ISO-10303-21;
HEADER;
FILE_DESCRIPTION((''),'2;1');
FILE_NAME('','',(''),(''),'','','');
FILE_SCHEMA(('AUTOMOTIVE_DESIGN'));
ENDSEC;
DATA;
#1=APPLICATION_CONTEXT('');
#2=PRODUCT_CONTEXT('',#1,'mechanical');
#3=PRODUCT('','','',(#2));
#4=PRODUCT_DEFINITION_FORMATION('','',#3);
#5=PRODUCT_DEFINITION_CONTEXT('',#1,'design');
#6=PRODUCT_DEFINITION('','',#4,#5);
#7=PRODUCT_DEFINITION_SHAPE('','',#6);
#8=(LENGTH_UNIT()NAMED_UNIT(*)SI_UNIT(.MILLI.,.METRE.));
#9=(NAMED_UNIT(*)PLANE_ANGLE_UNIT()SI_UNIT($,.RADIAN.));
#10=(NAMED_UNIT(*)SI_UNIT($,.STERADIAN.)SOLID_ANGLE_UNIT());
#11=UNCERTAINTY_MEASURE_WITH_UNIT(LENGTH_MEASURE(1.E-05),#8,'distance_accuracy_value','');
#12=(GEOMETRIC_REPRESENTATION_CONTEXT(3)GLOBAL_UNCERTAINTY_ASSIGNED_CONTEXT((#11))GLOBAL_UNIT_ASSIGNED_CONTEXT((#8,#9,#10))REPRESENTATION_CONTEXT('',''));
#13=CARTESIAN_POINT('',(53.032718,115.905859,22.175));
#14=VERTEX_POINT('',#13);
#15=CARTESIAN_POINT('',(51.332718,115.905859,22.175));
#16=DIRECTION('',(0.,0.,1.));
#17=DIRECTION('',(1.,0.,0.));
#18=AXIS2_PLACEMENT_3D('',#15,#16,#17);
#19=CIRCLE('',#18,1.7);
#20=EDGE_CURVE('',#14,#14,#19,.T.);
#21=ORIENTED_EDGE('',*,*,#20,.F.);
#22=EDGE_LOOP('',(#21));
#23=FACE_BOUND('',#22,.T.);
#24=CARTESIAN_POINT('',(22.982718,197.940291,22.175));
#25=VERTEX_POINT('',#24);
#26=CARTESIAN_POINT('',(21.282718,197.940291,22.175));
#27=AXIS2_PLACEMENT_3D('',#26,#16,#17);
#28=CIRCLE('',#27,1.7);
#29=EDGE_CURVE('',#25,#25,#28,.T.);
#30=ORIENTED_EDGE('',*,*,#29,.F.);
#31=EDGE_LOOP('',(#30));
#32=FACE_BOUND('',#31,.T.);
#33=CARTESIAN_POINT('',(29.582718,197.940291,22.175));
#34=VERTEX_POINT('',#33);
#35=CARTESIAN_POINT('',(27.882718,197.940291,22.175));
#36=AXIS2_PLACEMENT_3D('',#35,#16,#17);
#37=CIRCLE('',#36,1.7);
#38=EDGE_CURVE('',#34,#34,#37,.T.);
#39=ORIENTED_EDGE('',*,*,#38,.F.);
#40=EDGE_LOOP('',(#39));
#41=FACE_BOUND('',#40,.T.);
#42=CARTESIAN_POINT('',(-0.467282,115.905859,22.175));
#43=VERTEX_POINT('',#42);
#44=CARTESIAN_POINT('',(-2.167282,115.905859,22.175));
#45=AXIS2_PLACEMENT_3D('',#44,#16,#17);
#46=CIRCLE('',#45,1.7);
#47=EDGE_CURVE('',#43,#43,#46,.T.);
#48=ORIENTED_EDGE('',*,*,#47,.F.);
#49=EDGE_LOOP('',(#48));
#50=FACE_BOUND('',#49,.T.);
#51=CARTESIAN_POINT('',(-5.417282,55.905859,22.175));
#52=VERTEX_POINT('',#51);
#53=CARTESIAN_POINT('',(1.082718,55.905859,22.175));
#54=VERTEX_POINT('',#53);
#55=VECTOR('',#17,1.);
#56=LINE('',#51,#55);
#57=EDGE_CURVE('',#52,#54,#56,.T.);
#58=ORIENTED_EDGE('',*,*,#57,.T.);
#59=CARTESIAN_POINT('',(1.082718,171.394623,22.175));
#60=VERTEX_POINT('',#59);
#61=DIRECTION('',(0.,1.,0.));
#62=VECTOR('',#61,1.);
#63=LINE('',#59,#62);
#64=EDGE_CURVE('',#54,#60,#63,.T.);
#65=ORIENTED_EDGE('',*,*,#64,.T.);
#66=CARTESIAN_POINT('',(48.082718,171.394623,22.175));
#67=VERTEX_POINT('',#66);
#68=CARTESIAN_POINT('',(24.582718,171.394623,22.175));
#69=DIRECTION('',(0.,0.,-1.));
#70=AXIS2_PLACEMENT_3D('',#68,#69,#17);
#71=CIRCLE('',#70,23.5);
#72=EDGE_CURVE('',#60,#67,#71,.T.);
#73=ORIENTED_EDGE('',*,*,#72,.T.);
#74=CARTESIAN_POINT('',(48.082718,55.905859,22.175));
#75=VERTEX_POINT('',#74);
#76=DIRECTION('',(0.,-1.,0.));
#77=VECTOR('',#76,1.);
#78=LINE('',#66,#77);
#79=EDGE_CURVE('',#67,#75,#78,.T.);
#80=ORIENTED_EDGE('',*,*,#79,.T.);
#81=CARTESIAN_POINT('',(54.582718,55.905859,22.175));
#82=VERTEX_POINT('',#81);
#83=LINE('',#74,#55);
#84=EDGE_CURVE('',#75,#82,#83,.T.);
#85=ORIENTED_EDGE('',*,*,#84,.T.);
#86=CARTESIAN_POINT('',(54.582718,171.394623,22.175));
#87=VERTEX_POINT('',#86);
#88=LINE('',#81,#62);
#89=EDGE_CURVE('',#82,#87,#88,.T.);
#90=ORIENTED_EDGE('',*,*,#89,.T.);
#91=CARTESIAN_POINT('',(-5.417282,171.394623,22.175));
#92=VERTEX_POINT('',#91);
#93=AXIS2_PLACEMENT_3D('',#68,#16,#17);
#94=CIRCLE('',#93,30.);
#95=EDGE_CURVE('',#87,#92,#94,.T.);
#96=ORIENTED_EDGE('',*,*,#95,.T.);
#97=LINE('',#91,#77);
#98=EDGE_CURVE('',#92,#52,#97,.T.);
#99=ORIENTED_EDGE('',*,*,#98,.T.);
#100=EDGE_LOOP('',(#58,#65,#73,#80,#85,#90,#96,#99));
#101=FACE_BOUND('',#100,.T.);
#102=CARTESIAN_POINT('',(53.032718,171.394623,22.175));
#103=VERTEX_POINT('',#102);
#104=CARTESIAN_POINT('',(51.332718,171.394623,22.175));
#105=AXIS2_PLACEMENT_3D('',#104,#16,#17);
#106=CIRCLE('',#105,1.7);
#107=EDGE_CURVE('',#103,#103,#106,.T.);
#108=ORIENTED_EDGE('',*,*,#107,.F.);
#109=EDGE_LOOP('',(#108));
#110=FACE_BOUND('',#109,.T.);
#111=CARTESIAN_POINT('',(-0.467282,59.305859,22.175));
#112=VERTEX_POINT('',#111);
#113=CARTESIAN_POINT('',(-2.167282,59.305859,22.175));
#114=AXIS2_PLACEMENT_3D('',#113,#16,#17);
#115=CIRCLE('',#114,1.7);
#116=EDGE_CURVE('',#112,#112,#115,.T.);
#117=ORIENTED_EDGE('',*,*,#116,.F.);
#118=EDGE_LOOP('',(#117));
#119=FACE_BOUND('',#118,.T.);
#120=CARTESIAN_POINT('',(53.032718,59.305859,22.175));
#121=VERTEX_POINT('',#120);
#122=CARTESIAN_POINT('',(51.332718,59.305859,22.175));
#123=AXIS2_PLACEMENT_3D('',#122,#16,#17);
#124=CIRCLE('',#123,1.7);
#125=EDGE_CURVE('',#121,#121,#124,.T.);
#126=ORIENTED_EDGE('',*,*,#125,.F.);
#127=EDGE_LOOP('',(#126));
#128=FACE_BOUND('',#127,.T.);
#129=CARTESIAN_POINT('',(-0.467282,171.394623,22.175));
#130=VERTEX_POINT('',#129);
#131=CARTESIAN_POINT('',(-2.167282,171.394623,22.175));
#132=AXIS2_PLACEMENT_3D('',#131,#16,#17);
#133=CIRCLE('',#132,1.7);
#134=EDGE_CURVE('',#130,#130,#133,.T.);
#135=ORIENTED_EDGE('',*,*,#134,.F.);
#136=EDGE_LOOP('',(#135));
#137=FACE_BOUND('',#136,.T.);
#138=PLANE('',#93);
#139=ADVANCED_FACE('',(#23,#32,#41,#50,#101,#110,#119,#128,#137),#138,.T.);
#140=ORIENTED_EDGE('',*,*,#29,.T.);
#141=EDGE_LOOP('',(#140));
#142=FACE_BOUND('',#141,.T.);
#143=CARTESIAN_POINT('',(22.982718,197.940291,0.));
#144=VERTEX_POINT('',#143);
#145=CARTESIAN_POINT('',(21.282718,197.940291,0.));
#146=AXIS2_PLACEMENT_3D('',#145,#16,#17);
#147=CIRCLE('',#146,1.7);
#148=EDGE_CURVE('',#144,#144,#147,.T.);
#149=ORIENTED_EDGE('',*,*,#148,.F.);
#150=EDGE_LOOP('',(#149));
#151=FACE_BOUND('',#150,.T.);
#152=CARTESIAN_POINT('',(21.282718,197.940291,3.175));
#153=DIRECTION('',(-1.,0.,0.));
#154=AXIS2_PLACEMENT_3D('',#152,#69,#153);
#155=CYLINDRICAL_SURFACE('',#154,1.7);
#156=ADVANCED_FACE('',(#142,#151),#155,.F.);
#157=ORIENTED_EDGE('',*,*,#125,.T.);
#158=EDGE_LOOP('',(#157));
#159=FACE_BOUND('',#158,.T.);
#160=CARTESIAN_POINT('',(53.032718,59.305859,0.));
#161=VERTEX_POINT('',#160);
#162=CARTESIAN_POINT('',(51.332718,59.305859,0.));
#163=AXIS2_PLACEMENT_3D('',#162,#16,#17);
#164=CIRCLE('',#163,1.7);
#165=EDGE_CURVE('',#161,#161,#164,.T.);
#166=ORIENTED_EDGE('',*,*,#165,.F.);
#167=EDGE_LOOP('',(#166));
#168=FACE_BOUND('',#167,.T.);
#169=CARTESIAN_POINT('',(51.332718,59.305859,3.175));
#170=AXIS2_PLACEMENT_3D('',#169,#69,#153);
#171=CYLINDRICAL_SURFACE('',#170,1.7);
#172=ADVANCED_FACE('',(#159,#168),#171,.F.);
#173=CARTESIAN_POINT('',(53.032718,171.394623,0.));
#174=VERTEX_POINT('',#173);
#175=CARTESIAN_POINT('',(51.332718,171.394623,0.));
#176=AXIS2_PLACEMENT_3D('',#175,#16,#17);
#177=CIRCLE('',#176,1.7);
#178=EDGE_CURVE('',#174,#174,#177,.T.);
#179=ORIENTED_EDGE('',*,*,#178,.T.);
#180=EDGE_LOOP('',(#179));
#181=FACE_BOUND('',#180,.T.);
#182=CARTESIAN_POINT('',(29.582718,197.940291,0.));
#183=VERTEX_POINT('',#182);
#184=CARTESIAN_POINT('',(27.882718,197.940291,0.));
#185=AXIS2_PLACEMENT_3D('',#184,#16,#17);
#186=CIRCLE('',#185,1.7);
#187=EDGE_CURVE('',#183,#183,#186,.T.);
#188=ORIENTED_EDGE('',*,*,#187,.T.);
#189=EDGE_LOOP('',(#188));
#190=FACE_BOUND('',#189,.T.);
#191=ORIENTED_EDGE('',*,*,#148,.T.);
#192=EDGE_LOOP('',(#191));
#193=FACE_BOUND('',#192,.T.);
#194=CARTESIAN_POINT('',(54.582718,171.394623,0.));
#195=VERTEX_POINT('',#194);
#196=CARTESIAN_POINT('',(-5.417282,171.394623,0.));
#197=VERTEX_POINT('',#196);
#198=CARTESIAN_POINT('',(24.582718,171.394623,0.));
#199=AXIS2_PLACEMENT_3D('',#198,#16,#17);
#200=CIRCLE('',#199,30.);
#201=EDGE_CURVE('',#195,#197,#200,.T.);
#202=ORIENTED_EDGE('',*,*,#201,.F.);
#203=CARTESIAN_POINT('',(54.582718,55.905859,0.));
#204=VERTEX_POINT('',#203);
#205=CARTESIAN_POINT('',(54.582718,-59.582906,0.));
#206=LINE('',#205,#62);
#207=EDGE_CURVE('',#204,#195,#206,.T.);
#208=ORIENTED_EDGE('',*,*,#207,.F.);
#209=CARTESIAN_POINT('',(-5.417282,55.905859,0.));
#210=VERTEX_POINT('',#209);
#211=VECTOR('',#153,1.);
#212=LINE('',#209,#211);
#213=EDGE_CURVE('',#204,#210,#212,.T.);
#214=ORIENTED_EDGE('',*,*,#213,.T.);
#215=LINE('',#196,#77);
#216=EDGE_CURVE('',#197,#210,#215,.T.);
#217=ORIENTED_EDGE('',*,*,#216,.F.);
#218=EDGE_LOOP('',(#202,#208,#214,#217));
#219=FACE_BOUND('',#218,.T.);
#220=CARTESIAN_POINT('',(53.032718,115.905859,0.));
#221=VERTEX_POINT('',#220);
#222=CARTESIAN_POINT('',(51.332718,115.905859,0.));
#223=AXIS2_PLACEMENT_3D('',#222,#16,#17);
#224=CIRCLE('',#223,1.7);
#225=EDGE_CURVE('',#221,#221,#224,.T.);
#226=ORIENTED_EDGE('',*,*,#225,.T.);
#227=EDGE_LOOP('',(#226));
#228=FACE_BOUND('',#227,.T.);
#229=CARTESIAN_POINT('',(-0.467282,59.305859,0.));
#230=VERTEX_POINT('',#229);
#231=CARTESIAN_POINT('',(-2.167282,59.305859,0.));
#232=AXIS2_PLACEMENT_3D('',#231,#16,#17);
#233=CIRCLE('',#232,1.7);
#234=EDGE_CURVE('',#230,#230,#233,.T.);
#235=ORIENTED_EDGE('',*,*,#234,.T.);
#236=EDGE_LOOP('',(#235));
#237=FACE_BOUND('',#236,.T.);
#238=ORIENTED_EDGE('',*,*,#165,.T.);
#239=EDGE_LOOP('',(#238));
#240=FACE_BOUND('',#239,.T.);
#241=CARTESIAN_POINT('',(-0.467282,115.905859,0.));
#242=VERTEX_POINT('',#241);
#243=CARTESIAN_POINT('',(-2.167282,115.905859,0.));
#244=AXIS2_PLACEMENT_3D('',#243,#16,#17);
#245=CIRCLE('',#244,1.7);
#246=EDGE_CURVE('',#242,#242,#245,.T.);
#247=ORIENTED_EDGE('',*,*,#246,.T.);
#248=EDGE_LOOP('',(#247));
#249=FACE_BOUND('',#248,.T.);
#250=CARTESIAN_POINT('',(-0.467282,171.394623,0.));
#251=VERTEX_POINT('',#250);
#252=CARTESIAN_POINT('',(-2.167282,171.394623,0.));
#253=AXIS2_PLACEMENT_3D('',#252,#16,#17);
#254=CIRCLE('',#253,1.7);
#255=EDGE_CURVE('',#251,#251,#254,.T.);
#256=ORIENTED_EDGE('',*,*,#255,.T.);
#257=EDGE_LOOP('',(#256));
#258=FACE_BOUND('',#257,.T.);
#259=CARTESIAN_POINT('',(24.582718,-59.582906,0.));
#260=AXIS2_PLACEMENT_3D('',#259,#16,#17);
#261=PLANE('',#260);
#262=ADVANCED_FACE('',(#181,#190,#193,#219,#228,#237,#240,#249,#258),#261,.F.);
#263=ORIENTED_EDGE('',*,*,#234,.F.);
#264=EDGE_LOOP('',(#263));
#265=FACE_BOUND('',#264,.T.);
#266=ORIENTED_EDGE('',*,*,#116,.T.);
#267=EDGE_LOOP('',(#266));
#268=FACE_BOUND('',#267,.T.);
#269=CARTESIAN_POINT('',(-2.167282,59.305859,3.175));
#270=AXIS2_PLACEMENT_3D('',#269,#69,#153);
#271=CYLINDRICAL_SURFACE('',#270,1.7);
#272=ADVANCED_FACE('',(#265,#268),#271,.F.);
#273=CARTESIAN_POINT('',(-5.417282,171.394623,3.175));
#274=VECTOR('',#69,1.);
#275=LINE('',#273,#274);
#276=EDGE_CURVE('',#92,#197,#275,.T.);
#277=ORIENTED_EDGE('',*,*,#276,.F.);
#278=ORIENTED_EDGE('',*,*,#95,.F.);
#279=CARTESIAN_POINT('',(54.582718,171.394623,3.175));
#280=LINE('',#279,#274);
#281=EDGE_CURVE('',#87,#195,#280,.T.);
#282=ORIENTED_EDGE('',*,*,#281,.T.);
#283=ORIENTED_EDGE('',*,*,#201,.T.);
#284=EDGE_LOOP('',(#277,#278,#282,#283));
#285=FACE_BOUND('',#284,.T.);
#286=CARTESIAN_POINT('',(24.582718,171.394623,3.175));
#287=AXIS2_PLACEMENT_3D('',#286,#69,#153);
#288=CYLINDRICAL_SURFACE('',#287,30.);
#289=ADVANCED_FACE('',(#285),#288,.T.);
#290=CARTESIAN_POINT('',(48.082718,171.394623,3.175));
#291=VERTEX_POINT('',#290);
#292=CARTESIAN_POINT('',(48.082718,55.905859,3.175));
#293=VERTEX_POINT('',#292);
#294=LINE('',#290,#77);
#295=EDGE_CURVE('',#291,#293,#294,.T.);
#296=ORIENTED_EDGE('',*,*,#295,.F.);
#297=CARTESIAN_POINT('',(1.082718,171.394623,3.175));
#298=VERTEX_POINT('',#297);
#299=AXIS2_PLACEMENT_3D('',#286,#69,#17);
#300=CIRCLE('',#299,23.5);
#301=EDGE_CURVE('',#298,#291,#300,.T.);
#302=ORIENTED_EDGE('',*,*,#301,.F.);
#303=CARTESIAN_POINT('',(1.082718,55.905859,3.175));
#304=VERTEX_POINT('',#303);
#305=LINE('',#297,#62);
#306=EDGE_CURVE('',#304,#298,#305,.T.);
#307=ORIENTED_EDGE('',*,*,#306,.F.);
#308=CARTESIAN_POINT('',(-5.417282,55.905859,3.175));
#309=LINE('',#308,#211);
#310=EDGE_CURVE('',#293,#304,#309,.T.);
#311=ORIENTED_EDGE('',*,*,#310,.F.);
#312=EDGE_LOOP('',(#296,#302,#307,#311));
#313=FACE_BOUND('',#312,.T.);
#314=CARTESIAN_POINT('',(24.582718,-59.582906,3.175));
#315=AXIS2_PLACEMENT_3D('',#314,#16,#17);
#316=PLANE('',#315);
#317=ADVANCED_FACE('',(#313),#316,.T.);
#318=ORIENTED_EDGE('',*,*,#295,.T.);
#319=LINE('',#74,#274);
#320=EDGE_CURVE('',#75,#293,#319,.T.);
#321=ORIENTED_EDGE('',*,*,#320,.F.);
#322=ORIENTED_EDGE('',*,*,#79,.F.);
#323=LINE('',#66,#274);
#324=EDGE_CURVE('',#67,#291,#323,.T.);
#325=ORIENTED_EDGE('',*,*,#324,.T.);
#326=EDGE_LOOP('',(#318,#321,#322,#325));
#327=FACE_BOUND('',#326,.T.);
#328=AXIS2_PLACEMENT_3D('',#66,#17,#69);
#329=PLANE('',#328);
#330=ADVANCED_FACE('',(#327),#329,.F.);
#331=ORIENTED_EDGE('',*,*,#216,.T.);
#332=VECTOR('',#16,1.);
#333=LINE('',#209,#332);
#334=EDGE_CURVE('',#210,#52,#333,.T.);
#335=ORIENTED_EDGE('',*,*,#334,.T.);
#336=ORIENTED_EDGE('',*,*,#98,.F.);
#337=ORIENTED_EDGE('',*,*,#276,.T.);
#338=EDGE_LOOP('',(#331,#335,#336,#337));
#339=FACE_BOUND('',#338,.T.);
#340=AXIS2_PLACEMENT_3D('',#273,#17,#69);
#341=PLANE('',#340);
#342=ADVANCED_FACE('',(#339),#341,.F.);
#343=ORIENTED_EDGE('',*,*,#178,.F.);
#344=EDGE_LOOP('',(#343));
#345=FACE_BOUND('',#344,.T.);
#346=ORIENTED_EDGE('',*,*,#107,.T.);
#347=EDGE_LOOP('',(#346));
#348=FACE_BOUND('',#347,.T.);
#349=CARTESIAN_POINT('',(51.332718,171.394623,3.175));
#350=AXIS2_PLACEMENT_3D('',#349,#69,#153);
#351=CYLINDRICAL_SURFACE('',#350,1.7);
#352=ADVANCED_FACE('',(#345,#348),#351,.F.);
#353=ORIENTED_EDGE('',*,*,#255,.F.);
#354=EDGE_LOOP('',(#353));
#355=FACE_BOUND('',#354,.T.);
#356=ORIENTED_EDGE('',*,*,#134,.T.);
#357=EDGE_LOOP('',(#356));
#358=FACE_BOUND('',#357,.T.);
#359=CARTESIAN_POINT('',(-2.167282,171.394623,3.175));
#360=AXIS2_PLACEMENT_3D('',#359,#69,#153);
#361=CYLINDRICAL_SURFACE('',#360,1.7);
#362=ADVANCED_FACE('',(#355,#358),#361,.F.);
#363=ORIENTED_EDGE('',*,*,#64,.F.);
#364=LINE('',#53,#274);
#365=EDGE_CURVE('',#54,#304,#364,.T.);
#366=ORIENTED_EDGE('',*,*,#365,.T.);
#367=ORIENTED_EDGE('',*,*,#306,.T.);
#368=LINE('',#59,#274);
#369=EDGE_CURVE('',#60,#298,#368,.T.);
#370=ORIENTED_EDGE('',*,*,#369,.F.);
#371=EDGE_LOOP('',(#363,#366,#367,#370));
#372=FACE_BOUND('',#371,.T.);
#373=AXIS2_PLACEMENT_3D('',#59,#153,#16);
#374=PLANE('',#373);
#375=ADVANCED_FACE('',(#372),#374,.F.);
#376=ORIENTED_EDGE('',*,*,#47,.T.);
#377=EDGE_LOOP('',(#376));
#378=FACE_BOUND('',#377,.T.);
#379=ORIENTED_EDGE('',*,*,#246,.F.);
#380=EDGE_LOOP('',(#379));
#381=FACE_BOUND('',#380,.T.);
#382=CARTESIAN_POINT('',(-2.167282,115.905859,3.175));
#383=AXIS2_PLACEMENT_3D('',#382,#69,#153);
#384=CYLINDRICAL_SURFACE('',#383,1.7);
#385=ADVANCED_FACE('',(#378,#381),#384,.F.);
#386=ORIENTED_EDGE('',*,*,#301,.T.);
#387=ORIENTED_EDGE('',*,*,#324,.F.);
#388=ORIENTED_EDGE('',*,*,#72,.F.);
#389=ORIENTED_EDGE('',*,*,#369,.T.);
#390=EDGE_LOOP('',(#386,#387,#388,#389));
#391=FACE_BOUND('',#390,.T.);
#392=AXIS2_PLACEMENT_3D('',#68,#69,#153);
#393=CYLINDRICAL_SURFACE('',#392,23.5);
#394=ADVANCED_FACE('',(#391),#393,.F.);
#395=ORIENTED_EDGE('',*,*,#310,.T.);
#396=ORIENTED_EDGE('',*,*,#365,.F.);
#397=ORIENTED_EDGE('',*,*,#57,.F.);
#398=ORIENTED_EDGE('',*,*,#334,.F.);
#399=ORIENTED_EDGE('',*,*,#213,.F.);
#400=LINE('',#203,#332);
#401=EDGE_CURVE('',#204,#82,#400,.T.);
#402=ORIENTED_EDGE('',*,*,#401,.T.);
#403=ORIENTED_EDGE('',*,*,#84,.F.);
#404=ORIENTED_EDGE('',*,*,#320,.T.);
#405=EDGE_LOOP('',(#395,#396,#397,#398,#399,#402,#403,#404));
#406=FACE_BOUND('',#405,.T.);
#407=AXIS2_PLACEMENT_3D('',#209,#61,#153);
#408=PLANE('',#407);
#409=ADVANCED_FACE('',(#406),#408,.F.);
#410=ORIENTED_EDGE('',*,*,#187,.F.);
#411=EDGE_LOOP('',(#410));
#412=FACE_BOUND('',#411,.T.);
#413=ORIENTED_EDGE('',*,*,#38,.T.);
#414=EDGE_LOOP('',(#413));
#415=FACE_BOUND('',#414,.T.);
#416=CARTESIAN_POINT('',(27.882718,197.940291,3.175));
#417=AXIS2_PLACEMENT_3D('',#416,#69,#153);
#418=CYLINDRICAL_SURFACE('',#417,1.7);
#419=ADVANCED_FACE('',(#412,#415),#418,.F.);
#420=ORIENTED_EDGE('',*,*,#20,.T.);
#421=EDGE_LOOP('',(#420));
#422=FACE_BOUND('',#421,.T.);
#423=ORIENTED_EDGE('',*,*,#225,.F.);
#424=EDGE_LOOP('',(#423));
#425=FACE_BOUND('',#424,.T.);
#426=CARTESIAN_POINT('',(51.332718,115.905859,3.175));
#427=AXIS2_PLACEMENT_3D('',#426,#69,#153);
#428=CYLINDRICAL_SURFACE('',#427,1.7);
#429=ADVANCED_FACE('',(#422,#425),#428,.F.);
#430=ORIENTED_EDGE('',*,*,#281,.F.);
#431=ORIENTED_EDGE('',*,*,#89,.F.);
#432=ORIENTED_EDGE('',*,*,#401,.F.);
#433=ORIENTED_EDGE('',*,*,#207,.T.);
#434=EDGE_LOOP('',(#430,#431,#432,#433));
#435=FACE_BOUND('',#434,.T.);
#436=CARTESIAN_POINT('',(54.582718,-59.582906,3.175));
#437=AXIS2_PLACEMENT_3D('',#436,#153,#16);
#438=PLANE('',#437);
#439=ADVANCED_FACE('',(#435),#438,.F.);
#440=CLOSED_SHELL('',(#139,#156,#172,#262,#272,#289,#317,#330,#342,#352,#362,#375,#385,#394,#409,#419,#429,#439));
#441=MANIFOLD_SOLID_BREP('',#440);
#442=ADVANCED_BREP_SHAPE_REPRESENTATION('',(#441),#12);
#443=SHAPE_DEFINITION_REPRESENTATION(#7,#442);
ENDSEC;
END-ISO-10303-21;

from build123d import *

# Parameters (mm, degrees)
SKETCH2_R           = 1.7
BOSS_EXTRUDE1_DEPTH = 3.175
SKETCH3_W           = 60
SKETCH3_H           = 160.555920096
CUT_EXTRUDE1_DEPTH  = 4.175
SKETCH4_R           = 1.7
BOSS_EXTRUDE2_DEPTH = 19


with BuildPart() as part:
    # Sketch2 → Boss-Extrude1 (new body)
    with BuildSketch(Plane.XY):
        with BuildLine():
            Line((54.582717937, -59.58290593), (54.582717937, 171.394622999))
            ThreePointArc((54.582717937, 171.394622999), (24.582717937, 201.394622999), (-5.417282063, 171.394622999))
            Line((-5.417282063, 171.394622999), (-5.417282063, -59.58290593))
            ThreePointArc((-5.417282063, -59.58290593), (24.582717937, -89.58290593), (54.582717937, -59.58290593))
        make_face()
        with Locations((27.882717937, 197.940291196)):
            Circle(SKETCH2_R, mode=Mode.SUBTRACT)
        with Locations((-2.167282063, -59.58290593)):
            Circle(SKETCH2_R, mode=Mode.SUBTRACT)
        with Locations((5.667611541, -78.498012327)):
            Circle(SKETCH2_R, mode=Mode.SUBTRACT)
        with Locations((21.182717937, -86.115951364)):
            Circle(SKETCH2_R, mode=Mode.SUBTRACT)
        with Locations((51.332717937, 171.394622999)):
            Circle(SKETCH2_R, mode=Mode.SUBTRACT)
        with Locations((-2.167282063, 59.305858535)):
            Circle(SKETCH2_R, mode=Mode.SUBTRACT)
        with Locations((27.982717937, -86.115951364)):
            Circle(SKETCH2_R, mode=Mode.SUBTRACT)
        with Locations((-2.167282063, 171.394622999)):
            Circle(SKETCH2_R, mode=Mode.SUBTRACT)
        with Locations((51.332717937, 115.905858535)):
            Circle(SKETCH2_R, mode=Mode.SUBTRACT)
        with Locations((-2.167282063, 115.905858535)):
            Circle(SKETCH2_R, mode=Mode.SUBTRACT)
        with Locations((43.497824334, -78.498012327)):
            Circle(SKETCH2_R, mode=Mode.SUBTRACT)
        with Locations((51.332717937, -59.58290593)):
            Circle(SKETCH2_R, mode=Mode.SUBTRACT)
        with Locations((51.332717937, -34.094141465)):
            Circle(SKETCH2_R, mode=Mode.SUBTRACT)
        with Locations((-2.167282063, -34.094141465)):
            Circle(SKETCH2_R, mode=Mode.SUBTRACT)
        with Locations((51.332717937, -4.094141465)):
            Circle(SKETCH2_R, mode=Mode.SUBTRACT)
        with Locations((-2.167282063, -4.094141465)):
            Circle(SKETCH2_R, mode=Mode.SUBTRACT)
        with Locations((51.332717937, 25.905858535)):
            Circle(SKETCH2_R, mode=Mode.SUBTRACT)
        with Locations((-2.167282063, 25.905858535)):
            Circle(SKETCH2_R, mode=Mode.SUBTRACT)
        with Locations((21.282717937, 197.940291196)):
            Circle(SKETCH2_R, mode=Mode.SUBTRACT)
        with Locations((51.332717937, 52.505858535)):
            Circle(SKETCH2_R, mode=Mode.SUBTRACT)
        with Locations((51.332717937, 59.305858535)):
            Circle(SKETCH2_R, mode=Mode.SUBTRACT)
        with Locations((-2.167282063, 52.505858535)):
            Circle(SKETCH2_R, mode=Mode.SUBTRACT)
    extrude(amount=BOSS_EXTRUDE1_DEPTH)

    # Sketch3 → Cut-Extrude1 (cut, through all)
    with BuildSketch(Plane.XY.offset(3.175)):
        with Locations((24.582717937, -24.372101513)):
            Rectangle(SKETCH3_W, SKETCH3_H)
    extrude(amount=-CUT_EXTRUDE1_DEPTH, mode=Mode.SUBTRACT)

    # Sketch4 → Boss-Extrude2 (add)
    with BuildSketch(Plane.XY.offset(3.175)):
        with BuildLine():
            Line((48.082717937, 171.394622999), (48.082717937, 55.905858535))
            Line((48.082717937, 55.905858535), (54.582717937, 55.905858535))
            Line((54.582717937, 55.905858535), (54.582717937, 171.394622999))
            ThreePointArc((54.582717937, 171.394622999), (24.582717937, 201.394622999), (-5.417282063, 171.394622999))
            Line((-5.417282063, 171.394622999), (-5.417282063, 55.905858535))
            Line((-5.417282063, 55.905858535), (1.082717937, 55.905858535))
            Line((1.082717937, 55.905858535), (1.082717937, 171.394622999))
            ThreePointArc((1.082717937, 171.394622999), (24.582717937, 194.894622999), (48.082717937, 171.394622999))
        make_face()
        with Locations((-2.167282063, 115.905858535)):
            Circle(SKETCH4_R, mode=Mode.SUBTRACT)
        with Locations((-2.167282063, 59.305858535)):
            Circle(SKETCH4_R, mode=Mode.SUBTRACT)
        with Locations((51.332717937, 59.305858535)):
            Circle(SKETCH4_R, mode=Mode.SUBTRACT)
        with Locations((51.332717937, 115.905858535)):
            Circle(SKETCH4_R, mode=Mode.SUBTRACT)
        with Locations((51.332717937, 171.394622999)):
            Circle(SKETCH4_R, mode=Mode.SUBTRACT)
        with Locations((27.882717937, 197.940291196)):
            Circle(SKETCH4_R, mode=Mode.SUBTRACT)
        with Locations((21.282717937, 197.940291196)):
            Circle(SKETCH4_R, mode=Mode.SUBTRACT)
        with Locations((-2.167282063, 171.394622999)):
            Circle(SKETCH4_R, mode=Mode.SUBTRACT)
    extrude(amount=BOSS_EXTRUDE2_DEPTH)


solid = part.part
